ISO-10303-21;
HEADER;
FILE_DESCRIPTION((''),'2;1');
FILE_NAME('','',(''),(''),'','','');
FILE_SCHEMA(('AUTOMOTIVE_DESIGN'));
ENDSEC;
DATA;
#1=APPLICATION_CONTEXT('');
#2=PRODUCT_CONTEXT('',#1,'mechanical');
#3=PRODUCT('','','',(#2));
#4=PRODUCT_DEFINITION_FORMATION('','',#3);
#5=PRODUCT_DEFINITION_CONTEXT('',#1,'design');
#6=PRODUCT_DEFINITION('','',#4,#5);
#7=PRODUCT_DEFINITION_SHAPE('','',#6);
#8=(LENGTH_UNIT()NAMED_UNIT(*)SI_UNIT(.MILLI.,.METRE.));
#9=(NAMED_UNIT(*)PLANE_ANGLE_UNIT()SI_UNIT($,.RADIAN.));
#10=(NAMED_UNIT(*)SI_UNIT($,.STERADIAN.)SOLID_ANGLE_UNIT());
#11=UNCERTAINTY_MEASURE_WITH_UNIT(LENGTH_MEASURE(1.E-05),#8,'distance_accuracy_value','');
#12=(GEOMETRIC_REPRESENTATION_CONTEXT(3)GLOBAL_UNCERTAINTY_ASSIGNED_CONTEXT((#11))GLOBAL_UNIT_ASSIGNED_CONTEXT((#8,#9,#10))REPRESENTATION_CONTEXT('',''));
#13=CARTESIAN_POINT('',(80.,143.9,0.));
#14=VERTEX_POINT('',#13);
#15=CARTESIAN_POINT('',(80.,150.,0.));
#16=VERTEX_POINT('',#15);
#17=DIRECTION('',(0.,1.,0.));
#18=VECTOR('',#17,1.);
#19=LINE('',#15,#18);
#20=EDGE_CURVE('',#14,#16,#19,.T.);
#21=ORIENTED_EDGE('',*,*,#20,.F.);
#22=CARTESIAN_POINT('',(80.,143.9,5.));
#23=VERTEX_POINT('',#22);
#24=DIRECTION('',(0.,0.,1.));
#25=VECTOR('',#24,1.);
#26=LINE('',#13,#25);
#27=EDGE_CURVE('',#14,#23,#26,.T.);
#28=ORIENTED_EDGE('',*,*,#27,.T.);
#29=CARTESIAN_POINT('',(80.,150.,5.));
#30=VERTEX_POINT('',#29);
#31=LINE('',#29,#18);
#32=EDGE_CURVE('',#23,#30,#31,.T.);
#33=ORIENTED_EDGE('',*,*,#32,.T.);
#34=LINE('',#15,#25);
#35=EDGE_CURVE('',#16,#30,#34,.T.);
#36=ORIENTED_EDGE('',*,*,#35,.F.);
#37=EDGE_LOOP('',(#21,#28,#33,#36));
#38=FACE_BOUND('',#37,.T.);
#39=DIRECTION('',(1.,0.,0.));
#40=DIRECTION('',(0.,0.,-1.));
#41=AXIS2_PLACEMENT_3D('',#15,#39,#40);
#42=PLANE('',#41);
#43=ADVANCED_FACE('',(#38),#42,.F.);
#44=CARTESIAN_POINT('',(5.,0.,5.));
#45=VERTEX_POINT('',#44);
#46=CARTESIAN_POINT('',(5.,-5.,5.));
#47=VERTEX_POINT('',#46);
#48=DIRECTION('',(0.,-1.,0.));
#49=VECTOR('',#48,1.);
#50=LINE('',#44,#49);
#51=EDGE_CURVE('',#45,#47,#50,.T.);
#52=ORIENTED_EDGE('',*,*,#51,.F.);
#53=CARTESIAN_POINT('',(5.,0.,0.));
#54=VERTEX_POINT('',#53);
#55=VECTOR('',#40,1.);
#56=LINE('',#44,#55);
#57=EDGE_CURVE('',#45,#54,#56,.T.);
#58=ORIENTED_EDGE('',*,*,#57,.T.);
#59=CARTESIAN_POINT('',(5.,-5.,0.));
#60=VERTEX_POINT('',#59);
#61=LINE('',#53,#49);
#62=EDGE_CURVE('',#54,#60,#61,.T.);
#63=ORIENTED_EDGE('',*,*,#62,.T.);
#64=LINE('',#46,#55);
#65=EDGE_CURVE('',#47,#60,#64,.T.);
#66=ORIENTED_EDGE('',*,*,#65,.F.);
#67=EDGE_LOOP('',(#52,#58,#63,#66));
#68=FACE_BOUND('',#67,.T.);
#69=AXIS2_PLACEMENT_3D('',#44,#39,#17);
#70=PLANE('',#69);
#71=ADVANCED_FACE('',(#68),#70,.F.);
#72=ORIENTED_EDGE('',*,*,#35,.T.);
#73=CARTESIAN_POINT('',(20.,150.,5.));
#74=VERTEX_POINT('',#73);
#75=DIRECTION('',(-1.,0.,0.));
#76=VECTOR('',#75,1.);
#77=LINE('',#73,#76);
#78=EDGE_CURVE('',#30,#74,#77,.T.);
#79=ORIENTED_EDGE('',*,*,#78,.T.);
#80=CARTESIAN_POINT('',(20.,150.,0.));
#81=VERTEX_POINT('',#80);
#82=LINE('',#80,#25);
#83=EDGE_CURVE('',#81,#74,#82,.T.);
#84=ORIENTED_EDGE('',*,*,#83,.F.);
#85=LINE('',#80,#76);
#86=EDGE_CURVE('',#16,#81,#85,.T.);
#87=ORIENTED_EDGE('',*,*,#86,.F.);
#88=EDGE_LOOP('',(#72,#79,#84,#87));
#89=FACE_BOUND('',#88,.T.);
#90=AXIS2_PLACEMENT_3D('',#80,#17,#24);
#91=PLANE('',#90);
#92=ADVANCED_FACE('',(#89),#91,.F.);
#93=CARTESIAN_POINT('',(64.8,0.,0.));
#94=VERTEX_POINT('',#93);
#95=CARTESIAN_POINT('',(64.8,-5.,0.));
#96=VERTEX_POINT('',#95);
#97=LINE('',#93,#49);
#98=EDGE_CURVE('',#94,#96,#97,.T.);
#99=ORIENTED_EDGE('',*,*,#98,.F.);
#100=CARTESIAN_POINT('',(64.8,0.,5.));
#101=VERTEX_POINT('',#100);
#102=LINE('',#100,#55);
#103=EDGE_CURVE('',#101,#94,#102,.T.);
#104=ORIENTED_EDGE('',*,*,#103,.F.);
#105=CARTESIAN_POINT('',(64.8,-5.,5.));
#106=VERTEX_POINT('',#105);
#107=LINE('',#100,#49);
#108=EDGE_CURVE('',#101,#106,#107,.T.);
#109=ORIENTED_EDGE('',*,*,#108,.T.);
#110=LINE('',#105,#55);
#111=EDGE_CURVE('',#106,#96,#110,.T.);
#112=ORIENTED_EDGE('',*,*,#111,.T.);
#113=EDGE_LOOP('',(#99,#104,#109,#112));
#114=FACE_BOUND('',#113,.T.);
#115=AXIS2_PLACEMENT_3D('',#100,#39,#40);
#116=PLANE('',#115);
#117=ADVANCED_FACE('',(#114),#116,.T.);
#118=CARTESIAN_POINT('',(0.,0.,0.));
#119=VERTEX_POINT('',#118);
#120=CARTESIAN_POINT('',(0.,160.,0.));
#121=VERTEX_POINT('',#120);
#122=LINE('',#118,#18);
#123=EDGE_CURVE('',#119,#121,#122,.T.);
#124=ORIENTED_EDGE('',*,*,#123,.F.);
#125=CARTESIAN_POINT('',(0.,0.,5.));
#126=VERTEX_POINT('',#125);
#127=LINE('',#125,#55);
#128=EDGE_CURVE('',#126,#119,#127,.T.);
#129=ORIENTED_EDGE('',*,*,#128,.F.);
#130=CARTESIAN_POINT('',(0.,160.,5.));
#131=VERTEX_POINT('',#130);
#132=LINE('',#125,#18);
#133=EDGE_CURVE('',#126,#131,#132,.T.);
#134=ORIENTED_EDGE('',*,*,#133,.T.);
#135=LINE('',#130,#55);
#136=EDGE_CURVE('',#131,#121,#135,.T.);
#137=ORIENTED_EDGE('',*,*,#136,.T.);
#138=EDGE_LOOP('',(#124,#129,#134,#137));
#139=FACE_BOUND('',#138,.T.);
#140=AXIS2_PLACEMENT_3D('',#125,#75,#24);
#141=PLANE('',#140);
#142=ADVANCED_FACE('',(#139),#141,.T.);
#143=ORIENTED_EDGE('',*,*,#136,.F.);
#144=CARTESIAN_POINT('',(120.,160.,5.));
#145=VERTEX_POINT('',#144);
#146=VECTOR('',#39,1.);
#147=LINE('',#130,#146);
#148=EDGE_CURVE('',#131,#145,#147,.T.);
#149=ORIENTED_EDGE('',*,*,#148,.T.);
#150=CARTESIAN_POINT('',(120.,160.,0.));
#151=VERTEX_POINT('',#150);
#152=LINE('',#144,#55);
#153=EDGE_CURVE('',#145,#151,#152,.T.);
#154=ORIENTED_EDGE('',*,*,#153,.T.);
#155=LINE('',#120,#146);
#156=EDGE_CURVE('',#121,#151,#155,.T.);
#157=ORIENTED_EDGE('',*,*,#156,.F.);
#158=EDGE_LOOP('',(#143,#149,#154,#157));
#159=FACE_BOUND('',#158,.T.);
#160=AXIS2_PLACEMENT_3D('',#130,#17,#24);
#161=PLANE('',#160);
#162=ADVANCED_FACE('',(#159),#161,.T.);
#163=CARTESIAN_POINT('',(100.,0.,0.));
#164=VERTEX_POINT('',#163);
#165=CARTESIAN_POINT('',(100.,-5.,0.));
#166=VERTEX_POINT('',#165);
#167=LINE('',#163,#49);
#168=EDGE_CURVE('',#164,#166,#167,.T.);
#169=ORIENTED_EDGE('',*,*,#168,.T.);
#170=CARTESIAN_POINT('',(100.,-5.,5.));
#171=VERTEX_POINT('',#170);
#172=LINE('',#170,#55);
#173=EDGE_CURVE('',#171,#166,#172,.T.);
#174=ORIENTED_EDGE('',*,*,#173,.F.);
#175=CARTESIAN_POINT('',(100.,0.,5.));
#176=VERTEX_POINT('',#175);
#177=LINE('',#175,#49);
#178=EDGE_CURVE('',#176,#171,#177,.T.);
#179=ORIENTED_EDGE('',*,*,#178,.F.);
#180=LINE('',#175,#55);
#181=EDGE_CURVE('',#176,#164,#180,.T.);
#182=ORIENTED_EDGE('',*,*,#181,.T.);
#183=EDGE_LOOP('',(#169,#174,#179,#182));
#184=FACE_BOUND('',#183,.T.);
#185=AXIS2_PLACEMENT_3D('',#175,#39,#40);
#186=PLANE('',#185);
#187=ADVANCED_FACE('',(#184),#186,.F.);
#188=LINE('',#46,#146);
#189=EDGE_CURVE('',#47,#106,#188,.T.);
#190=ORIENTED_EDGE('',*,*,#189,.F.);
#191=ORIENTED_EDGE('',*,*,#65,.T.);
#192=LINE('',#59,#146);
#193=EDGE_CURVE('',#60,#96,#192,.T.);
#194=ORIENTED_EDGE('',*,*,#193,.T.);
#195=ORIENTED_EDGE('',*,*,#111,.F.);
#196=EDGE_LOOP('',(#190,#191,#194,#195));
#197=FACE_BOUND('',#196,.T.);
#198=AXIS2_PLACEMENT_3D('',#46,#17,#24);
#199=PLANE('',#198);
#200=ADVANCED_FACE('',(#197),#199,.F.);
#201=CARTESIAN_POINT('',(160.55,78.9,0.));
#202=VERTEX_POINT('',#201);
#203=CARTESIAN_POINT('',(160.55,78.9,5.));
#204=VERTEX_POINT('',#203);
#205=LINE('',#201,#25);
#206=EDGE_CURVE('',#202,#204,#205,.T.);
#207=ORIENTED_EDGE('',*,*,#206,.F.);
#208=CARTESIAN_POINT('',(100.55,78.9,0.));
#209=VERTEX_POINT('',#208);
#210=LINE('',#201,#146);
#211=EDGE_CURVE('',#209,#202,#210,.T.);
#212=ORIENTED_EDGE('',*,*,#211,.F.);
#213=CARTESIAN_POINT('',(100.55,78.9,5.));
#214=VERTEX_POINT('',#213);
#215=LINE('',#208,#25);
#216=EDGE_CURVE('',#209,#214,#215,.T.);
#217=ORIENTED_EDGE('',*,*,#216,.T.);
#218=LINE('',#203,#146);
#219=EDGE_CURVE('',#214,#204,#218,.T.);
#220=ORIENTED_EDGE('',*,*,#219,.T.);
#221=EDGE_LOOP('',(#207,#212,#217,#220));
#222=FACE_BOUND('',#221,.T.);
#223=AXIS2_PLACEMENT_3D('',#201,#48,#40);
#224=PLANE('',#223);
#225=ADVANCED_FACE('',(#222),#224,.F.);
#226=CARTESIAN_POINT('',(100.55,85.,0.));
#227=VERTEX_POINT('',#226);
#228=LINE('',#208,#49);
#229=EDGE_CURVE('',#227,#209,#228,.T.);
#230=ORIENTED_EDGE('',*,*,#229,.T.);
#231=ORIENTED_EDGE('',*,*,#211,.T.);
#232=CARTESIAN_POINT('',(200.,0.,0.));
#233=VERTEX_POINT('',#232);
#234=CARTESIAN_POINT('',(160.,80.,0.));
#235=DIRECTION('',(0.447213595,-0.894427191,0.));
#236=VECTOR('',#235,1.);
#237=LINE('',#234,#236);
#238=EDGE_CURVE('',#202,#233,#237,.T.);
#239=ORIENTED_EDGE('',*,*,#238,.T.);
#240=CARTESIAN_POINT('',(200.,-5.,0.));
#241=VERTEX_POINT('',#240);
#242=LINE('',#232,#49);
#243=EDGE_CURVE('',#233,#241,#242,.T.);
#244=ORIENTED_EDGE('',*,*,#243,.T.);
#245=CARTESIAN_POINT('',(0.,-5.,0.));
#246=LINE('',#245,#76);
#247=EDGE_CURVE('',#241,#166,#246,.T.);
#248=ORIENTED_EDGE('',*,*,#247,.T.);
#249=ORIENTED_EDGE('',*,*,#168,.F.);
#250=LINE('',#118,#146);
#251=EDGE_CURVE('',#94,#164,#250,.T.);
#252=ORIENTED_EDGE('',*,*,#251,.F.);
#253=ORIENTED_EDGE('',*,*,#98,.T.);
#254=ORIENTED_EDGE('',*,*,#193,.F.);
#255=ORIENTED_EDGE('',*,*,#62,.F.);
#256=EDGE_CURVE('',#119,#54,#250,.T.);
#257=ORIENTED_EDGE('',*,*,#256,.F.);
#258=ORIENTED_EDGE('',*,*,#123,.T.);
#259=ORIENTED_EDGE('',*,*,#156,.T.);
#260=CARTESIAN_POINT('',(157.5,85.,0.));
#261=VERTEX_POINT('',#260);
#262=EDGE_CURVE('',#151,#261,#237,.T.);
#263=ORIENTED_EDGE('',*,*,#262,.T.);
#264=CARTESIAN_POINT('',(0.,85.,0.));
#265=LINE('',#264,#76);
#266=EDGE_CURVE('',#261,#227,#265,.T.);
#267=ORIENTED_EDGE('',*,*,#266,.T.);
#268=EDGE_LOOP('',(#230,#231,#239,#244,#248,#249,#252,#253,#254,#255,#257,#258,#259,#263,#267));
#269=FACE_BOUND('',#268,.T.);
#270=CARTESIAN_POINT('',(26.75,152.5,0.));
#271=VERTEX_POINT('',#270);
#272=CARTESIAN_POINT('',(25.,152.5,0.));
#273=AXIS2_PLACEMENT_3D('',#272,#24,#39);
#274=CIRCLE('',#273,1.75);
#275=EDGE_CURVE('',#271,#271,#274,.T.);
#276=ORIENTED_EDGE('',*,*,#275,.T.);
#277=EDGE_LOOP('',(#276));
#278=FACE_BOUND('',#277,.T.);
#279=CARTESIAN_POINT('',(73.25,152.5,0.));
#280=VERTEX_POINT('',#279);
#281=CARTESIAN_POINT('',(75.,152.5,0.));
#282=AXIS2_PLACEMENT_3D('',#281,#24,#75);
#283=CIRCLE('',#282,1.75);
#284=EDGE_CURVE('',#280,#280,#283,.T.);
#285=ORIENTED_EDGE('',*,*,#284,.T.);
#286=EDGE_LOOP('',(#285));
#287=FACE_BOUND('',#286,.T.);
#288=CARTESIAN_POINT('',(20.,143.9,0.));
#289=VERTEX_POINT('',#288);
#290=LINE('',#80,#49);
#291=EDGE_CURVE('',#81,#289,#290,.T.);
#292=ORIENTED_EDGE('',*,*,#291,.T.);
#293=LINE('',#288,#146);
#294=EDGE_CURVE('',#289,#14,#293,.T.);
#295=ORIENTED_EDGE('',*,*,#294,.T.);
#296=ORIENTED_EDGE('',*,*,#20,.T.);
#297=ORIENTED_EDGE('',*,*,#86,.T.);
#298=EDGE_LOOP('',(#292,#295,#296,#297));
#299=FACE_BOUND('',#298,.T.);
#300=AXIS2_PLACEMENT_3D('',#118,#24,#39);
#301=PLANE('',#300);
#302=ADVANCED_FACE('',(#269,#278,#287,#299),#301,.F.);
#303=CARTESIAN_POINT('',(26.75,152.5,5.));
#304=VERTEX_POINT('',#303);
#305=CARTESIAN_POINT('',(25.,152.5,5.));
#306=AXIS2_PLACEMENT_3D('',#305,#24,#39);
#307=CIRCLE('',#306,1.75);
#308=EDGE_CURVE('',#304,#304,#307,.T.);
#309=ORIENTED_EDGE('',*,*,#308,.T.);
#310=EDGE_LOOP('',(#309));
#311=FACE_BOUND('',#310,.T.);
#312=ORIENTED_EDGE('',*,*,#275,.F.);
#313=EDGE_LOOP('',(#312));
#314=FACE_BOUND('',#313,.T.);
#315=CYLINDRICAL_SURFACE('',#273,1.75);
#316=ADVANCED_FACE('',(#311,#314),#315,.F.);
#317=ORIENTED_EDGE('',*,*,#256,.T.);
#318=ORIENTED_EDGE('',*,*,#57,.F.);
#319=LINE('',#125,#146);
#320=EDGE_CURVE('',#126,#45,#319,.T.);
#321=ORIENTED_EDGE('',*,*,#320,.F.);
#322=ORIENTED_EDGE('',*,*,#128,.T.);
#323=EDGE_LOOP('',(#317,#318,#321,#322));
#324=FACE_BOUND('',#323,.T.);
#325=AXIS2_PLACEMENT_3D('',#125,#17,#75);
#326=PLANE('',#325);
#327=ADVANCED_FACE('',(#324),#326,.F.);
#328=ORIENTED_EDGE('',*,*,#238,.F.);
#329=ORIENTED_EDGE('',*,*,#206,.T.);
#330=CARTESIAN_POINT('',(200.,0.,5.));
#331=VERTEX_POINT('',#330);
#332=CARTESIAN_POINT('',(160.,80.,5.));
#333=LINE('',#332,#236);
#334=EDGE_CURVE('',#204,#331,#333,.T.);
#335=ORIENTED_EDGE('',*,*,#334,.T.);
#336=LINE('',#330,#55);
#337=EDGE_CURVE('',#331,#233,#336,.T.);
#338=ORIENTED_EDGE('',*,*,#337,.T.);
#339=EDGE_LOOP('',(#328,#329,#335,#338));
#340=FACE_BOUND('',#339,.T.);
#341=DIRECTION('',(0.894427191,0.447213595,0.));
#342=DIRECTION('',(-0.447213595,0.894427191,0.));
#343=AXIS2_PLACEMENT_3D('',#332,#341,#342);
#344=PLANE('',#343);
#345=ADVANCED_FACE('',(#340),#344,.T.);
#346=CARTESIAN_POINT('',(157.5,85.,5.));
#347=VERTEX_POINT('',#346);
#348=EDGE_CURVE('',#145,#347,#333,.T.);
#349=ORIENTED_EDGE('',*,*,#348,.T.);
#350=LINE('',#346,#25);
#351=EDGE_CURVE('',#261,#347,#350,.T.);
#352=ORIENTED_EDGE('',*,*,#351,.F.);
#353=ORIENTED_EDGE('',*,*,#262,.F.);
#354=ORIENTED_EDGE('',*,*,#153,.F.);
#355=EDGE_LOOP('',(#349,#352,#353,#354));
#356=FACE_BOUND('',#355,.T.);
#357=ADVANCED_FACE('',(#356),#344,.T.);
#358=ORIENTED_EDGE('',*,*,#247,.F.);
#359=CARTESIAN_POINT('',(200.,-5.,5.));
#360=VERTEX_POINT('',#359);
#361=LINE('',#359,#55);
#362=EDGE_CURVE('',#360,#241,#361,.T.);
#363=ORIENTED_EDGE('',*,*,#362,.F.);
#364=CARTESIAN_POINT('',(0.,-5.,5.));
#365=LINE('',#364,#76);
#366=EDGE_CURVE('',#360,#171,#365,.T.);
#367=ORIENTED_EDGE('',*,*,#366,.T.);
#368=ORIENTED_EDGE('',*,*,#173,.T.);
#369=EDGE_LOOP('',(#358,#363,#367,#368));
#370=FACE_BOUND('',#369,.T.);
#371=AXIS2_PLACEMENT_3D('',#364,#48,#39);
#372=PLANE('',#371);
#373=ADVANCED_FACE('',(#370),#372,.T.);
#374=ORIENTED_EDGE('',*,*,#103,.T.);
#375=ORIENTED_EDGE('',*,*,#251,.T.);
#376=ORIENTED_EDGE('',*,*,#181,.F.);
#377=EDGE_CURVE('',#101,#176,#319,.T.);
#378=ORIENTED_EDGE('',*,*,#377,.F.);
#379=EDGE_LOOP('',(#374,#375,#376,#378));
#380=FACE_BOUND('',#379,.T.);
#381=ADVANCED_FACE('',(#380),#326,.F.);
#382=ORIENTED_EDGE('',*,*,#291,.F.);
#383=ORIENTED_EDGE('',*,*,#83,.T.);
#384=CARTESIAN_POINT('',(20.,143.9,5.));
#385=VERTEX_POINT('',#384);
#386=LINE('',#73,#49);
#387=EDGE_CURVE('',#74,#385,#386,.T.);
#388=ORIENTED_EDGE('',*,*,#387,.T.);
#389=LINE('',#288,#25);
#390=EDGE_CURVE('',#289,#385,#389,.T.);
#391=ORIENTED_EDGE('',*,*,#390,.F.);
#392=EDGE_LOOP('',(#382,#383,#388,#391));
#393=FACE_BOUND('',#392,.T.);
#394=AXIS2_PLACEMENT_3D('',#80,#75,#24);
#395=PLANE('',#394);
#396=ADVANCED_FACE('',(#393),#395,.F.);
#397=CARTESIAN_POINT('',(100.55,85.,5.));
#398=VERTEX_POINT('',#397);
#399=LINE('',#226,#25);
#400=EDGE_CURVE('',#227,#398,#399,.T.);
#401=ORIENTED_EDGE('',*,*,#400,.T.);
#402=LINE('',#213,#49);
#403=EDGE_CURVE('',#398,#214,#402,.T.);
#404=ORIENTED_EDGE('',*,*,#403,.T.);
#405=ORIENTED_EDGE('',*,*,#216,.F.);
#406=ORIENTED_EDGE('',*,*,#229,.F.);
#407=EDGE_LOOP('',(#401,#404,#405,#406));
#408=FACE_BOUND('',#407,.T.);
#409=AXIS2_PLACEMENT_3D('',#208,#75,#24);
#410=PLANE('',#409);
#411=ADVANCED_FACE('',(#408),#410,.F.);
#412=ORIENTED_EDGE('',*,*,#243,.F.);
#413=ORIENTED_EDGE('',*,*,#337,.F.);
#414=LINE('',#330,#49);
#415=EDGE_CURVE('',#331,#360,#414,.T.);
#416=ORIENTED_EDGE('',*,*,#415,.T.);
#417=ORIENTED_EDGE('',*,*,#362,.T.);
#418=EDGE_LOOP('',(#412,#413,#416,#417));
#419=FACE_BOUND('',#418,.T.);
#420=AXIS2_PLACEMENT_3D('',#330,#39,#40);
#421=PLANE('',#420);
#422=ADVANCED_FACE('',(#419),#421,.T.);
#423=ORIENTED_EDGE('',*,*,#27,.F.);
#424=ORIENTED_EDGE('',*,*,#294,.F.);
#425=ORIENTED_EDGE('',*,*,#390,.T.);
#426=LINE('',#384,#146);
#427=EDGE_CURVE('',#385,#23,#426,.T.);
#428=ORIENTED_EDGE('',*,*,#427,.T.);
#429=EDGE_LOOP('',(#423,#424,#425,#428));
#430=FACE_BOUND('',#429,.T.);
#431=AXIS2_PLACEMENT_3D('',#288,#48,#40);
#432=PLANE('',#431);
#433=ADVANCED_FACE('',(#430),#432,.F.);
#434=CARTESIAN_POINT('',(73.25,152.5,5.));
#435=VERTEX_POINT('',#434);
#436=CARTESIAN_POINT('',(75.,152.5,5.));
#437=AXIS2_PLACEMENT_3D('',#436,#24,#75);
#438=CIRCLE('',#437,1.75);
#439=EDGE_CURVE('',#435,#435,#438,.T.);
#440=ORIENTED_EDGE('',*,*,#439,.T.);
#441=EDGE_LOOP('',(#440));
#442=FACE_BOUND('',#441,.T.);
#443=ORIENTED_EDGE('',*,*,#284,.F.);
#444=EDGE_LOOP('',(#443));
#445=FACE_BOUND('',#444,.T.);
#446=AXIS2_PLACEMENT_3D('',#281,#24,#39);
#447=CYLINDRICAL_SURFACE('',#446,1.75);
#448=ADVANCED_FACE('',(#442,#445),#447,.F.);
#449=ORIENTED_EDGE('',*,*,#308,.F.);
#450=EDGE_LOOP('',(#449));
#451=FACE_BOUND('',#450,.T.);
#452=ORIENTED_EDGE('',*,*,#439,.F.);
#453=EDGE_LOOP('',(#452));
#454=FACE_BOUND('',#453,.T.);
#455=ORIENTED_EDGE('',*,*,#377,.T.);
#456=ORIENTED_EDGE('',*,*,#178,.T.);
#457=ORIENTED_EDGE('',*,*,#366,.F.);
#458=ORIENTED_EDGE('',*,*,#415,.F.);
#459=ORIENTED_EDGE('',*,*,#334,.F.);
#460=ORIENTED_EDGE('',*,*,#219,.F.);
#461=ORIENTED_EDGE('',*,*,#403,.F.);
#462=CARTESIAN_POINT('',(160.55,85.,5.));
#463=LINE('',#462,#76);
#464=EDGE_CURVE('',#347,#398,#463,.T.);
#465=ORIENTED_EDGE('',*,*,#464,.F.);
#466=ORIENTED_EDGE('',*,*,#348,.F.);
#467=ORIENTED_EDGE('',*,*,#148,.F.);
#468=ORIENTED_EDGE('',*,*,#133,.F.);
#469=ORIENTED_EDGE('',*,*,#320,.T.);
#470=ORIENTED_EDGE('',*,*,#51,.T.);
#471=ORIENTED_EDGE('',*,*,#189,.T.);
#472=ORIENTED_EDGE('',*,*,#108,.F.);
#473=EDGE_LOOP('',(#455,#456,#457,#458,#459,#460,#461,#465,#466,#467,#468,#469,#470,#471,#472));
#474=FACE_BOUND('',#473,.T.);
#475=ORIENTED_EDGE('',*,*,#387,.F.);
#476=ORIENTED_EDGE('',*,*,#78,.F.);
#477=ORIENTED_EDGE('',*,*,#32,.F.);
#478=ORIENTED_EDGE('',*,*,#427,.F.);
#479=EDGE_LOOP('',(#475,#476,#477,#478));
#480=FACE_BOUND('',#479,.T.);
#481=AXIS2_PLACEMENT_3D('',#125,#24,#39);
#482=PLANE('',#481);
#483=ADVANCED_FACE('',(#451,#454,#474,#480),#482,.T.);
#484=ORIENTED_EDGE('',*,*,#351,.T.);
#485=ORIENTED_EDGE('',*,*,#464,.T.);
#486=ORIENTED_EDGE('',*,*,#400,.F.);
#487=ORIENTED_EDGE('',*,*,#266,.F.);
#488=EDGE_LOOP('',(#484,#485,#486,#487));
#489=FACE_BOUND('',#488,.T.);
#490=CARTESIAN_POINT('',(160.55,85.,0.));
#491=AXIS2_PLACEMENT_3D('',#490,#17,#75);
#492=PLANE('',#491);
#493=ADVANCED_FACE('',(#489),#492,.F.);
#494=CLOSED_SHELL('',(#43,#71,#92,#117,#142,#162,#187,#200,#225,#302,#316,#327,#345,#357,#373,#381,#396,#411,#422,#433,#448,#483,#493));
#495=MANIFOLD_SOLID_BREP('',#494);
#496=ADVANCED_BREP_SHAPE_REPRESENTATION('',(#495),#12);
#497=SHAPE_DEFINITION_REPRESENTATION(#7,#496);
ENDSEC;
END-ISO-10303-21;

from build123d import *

# Parameters (mm, degrees)
SKETCH1_W           = 100
SKETCH1_H           = 5
SKETCH1_W_2         = 59.8
BOSS_EXTRUDE1_DEPTH = 5
SKETCH2_W           = 60
SKETCH2_H           = 6.1
CUT_EXTRUDE1_DEPTH  = 5
SKETCH3_R           = 1.75
CUT_EXTRUDE2_DEPTH  = 5
SKETCH4_W           = 60
SKETCH4_H           = 6.1
CUT_EXTRUDE3_DEPTH  = 5


with BuildPart() as part:
    # Sketch1 → Boss-Extrude1 (new body)
    with BuildSketch(Plane.XY):
        Polygon((120, 160), (200, 0), (0, 0), (0, 160), align=None)
        with Locations((150, -2.5)):
            Rectangle(SKETCH1_W, SKETCH1_H)
        with Locations((34.9, -2.5)):
            Rectangle(SKETCH1_W_2, SKETCH1_H)
    extrude(amount=BOSS_EXTRUDE1_DEPTH)

    # Sketch2 → Cut-Extrude1 (cut)
    with BuildSketch(Plane.XY.offset(5)):
        with Locations((50, 146.95)):
            Rectangle(SKETCH2_W, SKETCH2_H)
    extrude(amount=-CUT_EXTRUDE1_DEPTH, mode=Mode.SUBTRACT)

    # Sketch3 → Cut-Extrude2 (cut)
    with BuildSketch(Plane.XY.offset(5)):
        with Locations((25, 152.5)):
            Circle(SKETCH3_R)
        with Locations(Location((75, 152.5, 0), (0, 0, 180))):
            Circle(SKETCH3_R)
    extrude(amount=-CUT_EXTRUDE2_DEPTH, mode=Mode.SUBTRACT)

    # Sketch4 → Cut-Extrude3 (cut)
    with BuildSketch(Plane.XY.offset(5)):
        with Locations((130.55, 81.95)):
            Rectangle(SKETCH4_W, SKETCH4_H)
    extrude(amount=-CUT_EXTRUDE3_DEPTH, mode=Mode.SUBTRACT)


solid = part.part
